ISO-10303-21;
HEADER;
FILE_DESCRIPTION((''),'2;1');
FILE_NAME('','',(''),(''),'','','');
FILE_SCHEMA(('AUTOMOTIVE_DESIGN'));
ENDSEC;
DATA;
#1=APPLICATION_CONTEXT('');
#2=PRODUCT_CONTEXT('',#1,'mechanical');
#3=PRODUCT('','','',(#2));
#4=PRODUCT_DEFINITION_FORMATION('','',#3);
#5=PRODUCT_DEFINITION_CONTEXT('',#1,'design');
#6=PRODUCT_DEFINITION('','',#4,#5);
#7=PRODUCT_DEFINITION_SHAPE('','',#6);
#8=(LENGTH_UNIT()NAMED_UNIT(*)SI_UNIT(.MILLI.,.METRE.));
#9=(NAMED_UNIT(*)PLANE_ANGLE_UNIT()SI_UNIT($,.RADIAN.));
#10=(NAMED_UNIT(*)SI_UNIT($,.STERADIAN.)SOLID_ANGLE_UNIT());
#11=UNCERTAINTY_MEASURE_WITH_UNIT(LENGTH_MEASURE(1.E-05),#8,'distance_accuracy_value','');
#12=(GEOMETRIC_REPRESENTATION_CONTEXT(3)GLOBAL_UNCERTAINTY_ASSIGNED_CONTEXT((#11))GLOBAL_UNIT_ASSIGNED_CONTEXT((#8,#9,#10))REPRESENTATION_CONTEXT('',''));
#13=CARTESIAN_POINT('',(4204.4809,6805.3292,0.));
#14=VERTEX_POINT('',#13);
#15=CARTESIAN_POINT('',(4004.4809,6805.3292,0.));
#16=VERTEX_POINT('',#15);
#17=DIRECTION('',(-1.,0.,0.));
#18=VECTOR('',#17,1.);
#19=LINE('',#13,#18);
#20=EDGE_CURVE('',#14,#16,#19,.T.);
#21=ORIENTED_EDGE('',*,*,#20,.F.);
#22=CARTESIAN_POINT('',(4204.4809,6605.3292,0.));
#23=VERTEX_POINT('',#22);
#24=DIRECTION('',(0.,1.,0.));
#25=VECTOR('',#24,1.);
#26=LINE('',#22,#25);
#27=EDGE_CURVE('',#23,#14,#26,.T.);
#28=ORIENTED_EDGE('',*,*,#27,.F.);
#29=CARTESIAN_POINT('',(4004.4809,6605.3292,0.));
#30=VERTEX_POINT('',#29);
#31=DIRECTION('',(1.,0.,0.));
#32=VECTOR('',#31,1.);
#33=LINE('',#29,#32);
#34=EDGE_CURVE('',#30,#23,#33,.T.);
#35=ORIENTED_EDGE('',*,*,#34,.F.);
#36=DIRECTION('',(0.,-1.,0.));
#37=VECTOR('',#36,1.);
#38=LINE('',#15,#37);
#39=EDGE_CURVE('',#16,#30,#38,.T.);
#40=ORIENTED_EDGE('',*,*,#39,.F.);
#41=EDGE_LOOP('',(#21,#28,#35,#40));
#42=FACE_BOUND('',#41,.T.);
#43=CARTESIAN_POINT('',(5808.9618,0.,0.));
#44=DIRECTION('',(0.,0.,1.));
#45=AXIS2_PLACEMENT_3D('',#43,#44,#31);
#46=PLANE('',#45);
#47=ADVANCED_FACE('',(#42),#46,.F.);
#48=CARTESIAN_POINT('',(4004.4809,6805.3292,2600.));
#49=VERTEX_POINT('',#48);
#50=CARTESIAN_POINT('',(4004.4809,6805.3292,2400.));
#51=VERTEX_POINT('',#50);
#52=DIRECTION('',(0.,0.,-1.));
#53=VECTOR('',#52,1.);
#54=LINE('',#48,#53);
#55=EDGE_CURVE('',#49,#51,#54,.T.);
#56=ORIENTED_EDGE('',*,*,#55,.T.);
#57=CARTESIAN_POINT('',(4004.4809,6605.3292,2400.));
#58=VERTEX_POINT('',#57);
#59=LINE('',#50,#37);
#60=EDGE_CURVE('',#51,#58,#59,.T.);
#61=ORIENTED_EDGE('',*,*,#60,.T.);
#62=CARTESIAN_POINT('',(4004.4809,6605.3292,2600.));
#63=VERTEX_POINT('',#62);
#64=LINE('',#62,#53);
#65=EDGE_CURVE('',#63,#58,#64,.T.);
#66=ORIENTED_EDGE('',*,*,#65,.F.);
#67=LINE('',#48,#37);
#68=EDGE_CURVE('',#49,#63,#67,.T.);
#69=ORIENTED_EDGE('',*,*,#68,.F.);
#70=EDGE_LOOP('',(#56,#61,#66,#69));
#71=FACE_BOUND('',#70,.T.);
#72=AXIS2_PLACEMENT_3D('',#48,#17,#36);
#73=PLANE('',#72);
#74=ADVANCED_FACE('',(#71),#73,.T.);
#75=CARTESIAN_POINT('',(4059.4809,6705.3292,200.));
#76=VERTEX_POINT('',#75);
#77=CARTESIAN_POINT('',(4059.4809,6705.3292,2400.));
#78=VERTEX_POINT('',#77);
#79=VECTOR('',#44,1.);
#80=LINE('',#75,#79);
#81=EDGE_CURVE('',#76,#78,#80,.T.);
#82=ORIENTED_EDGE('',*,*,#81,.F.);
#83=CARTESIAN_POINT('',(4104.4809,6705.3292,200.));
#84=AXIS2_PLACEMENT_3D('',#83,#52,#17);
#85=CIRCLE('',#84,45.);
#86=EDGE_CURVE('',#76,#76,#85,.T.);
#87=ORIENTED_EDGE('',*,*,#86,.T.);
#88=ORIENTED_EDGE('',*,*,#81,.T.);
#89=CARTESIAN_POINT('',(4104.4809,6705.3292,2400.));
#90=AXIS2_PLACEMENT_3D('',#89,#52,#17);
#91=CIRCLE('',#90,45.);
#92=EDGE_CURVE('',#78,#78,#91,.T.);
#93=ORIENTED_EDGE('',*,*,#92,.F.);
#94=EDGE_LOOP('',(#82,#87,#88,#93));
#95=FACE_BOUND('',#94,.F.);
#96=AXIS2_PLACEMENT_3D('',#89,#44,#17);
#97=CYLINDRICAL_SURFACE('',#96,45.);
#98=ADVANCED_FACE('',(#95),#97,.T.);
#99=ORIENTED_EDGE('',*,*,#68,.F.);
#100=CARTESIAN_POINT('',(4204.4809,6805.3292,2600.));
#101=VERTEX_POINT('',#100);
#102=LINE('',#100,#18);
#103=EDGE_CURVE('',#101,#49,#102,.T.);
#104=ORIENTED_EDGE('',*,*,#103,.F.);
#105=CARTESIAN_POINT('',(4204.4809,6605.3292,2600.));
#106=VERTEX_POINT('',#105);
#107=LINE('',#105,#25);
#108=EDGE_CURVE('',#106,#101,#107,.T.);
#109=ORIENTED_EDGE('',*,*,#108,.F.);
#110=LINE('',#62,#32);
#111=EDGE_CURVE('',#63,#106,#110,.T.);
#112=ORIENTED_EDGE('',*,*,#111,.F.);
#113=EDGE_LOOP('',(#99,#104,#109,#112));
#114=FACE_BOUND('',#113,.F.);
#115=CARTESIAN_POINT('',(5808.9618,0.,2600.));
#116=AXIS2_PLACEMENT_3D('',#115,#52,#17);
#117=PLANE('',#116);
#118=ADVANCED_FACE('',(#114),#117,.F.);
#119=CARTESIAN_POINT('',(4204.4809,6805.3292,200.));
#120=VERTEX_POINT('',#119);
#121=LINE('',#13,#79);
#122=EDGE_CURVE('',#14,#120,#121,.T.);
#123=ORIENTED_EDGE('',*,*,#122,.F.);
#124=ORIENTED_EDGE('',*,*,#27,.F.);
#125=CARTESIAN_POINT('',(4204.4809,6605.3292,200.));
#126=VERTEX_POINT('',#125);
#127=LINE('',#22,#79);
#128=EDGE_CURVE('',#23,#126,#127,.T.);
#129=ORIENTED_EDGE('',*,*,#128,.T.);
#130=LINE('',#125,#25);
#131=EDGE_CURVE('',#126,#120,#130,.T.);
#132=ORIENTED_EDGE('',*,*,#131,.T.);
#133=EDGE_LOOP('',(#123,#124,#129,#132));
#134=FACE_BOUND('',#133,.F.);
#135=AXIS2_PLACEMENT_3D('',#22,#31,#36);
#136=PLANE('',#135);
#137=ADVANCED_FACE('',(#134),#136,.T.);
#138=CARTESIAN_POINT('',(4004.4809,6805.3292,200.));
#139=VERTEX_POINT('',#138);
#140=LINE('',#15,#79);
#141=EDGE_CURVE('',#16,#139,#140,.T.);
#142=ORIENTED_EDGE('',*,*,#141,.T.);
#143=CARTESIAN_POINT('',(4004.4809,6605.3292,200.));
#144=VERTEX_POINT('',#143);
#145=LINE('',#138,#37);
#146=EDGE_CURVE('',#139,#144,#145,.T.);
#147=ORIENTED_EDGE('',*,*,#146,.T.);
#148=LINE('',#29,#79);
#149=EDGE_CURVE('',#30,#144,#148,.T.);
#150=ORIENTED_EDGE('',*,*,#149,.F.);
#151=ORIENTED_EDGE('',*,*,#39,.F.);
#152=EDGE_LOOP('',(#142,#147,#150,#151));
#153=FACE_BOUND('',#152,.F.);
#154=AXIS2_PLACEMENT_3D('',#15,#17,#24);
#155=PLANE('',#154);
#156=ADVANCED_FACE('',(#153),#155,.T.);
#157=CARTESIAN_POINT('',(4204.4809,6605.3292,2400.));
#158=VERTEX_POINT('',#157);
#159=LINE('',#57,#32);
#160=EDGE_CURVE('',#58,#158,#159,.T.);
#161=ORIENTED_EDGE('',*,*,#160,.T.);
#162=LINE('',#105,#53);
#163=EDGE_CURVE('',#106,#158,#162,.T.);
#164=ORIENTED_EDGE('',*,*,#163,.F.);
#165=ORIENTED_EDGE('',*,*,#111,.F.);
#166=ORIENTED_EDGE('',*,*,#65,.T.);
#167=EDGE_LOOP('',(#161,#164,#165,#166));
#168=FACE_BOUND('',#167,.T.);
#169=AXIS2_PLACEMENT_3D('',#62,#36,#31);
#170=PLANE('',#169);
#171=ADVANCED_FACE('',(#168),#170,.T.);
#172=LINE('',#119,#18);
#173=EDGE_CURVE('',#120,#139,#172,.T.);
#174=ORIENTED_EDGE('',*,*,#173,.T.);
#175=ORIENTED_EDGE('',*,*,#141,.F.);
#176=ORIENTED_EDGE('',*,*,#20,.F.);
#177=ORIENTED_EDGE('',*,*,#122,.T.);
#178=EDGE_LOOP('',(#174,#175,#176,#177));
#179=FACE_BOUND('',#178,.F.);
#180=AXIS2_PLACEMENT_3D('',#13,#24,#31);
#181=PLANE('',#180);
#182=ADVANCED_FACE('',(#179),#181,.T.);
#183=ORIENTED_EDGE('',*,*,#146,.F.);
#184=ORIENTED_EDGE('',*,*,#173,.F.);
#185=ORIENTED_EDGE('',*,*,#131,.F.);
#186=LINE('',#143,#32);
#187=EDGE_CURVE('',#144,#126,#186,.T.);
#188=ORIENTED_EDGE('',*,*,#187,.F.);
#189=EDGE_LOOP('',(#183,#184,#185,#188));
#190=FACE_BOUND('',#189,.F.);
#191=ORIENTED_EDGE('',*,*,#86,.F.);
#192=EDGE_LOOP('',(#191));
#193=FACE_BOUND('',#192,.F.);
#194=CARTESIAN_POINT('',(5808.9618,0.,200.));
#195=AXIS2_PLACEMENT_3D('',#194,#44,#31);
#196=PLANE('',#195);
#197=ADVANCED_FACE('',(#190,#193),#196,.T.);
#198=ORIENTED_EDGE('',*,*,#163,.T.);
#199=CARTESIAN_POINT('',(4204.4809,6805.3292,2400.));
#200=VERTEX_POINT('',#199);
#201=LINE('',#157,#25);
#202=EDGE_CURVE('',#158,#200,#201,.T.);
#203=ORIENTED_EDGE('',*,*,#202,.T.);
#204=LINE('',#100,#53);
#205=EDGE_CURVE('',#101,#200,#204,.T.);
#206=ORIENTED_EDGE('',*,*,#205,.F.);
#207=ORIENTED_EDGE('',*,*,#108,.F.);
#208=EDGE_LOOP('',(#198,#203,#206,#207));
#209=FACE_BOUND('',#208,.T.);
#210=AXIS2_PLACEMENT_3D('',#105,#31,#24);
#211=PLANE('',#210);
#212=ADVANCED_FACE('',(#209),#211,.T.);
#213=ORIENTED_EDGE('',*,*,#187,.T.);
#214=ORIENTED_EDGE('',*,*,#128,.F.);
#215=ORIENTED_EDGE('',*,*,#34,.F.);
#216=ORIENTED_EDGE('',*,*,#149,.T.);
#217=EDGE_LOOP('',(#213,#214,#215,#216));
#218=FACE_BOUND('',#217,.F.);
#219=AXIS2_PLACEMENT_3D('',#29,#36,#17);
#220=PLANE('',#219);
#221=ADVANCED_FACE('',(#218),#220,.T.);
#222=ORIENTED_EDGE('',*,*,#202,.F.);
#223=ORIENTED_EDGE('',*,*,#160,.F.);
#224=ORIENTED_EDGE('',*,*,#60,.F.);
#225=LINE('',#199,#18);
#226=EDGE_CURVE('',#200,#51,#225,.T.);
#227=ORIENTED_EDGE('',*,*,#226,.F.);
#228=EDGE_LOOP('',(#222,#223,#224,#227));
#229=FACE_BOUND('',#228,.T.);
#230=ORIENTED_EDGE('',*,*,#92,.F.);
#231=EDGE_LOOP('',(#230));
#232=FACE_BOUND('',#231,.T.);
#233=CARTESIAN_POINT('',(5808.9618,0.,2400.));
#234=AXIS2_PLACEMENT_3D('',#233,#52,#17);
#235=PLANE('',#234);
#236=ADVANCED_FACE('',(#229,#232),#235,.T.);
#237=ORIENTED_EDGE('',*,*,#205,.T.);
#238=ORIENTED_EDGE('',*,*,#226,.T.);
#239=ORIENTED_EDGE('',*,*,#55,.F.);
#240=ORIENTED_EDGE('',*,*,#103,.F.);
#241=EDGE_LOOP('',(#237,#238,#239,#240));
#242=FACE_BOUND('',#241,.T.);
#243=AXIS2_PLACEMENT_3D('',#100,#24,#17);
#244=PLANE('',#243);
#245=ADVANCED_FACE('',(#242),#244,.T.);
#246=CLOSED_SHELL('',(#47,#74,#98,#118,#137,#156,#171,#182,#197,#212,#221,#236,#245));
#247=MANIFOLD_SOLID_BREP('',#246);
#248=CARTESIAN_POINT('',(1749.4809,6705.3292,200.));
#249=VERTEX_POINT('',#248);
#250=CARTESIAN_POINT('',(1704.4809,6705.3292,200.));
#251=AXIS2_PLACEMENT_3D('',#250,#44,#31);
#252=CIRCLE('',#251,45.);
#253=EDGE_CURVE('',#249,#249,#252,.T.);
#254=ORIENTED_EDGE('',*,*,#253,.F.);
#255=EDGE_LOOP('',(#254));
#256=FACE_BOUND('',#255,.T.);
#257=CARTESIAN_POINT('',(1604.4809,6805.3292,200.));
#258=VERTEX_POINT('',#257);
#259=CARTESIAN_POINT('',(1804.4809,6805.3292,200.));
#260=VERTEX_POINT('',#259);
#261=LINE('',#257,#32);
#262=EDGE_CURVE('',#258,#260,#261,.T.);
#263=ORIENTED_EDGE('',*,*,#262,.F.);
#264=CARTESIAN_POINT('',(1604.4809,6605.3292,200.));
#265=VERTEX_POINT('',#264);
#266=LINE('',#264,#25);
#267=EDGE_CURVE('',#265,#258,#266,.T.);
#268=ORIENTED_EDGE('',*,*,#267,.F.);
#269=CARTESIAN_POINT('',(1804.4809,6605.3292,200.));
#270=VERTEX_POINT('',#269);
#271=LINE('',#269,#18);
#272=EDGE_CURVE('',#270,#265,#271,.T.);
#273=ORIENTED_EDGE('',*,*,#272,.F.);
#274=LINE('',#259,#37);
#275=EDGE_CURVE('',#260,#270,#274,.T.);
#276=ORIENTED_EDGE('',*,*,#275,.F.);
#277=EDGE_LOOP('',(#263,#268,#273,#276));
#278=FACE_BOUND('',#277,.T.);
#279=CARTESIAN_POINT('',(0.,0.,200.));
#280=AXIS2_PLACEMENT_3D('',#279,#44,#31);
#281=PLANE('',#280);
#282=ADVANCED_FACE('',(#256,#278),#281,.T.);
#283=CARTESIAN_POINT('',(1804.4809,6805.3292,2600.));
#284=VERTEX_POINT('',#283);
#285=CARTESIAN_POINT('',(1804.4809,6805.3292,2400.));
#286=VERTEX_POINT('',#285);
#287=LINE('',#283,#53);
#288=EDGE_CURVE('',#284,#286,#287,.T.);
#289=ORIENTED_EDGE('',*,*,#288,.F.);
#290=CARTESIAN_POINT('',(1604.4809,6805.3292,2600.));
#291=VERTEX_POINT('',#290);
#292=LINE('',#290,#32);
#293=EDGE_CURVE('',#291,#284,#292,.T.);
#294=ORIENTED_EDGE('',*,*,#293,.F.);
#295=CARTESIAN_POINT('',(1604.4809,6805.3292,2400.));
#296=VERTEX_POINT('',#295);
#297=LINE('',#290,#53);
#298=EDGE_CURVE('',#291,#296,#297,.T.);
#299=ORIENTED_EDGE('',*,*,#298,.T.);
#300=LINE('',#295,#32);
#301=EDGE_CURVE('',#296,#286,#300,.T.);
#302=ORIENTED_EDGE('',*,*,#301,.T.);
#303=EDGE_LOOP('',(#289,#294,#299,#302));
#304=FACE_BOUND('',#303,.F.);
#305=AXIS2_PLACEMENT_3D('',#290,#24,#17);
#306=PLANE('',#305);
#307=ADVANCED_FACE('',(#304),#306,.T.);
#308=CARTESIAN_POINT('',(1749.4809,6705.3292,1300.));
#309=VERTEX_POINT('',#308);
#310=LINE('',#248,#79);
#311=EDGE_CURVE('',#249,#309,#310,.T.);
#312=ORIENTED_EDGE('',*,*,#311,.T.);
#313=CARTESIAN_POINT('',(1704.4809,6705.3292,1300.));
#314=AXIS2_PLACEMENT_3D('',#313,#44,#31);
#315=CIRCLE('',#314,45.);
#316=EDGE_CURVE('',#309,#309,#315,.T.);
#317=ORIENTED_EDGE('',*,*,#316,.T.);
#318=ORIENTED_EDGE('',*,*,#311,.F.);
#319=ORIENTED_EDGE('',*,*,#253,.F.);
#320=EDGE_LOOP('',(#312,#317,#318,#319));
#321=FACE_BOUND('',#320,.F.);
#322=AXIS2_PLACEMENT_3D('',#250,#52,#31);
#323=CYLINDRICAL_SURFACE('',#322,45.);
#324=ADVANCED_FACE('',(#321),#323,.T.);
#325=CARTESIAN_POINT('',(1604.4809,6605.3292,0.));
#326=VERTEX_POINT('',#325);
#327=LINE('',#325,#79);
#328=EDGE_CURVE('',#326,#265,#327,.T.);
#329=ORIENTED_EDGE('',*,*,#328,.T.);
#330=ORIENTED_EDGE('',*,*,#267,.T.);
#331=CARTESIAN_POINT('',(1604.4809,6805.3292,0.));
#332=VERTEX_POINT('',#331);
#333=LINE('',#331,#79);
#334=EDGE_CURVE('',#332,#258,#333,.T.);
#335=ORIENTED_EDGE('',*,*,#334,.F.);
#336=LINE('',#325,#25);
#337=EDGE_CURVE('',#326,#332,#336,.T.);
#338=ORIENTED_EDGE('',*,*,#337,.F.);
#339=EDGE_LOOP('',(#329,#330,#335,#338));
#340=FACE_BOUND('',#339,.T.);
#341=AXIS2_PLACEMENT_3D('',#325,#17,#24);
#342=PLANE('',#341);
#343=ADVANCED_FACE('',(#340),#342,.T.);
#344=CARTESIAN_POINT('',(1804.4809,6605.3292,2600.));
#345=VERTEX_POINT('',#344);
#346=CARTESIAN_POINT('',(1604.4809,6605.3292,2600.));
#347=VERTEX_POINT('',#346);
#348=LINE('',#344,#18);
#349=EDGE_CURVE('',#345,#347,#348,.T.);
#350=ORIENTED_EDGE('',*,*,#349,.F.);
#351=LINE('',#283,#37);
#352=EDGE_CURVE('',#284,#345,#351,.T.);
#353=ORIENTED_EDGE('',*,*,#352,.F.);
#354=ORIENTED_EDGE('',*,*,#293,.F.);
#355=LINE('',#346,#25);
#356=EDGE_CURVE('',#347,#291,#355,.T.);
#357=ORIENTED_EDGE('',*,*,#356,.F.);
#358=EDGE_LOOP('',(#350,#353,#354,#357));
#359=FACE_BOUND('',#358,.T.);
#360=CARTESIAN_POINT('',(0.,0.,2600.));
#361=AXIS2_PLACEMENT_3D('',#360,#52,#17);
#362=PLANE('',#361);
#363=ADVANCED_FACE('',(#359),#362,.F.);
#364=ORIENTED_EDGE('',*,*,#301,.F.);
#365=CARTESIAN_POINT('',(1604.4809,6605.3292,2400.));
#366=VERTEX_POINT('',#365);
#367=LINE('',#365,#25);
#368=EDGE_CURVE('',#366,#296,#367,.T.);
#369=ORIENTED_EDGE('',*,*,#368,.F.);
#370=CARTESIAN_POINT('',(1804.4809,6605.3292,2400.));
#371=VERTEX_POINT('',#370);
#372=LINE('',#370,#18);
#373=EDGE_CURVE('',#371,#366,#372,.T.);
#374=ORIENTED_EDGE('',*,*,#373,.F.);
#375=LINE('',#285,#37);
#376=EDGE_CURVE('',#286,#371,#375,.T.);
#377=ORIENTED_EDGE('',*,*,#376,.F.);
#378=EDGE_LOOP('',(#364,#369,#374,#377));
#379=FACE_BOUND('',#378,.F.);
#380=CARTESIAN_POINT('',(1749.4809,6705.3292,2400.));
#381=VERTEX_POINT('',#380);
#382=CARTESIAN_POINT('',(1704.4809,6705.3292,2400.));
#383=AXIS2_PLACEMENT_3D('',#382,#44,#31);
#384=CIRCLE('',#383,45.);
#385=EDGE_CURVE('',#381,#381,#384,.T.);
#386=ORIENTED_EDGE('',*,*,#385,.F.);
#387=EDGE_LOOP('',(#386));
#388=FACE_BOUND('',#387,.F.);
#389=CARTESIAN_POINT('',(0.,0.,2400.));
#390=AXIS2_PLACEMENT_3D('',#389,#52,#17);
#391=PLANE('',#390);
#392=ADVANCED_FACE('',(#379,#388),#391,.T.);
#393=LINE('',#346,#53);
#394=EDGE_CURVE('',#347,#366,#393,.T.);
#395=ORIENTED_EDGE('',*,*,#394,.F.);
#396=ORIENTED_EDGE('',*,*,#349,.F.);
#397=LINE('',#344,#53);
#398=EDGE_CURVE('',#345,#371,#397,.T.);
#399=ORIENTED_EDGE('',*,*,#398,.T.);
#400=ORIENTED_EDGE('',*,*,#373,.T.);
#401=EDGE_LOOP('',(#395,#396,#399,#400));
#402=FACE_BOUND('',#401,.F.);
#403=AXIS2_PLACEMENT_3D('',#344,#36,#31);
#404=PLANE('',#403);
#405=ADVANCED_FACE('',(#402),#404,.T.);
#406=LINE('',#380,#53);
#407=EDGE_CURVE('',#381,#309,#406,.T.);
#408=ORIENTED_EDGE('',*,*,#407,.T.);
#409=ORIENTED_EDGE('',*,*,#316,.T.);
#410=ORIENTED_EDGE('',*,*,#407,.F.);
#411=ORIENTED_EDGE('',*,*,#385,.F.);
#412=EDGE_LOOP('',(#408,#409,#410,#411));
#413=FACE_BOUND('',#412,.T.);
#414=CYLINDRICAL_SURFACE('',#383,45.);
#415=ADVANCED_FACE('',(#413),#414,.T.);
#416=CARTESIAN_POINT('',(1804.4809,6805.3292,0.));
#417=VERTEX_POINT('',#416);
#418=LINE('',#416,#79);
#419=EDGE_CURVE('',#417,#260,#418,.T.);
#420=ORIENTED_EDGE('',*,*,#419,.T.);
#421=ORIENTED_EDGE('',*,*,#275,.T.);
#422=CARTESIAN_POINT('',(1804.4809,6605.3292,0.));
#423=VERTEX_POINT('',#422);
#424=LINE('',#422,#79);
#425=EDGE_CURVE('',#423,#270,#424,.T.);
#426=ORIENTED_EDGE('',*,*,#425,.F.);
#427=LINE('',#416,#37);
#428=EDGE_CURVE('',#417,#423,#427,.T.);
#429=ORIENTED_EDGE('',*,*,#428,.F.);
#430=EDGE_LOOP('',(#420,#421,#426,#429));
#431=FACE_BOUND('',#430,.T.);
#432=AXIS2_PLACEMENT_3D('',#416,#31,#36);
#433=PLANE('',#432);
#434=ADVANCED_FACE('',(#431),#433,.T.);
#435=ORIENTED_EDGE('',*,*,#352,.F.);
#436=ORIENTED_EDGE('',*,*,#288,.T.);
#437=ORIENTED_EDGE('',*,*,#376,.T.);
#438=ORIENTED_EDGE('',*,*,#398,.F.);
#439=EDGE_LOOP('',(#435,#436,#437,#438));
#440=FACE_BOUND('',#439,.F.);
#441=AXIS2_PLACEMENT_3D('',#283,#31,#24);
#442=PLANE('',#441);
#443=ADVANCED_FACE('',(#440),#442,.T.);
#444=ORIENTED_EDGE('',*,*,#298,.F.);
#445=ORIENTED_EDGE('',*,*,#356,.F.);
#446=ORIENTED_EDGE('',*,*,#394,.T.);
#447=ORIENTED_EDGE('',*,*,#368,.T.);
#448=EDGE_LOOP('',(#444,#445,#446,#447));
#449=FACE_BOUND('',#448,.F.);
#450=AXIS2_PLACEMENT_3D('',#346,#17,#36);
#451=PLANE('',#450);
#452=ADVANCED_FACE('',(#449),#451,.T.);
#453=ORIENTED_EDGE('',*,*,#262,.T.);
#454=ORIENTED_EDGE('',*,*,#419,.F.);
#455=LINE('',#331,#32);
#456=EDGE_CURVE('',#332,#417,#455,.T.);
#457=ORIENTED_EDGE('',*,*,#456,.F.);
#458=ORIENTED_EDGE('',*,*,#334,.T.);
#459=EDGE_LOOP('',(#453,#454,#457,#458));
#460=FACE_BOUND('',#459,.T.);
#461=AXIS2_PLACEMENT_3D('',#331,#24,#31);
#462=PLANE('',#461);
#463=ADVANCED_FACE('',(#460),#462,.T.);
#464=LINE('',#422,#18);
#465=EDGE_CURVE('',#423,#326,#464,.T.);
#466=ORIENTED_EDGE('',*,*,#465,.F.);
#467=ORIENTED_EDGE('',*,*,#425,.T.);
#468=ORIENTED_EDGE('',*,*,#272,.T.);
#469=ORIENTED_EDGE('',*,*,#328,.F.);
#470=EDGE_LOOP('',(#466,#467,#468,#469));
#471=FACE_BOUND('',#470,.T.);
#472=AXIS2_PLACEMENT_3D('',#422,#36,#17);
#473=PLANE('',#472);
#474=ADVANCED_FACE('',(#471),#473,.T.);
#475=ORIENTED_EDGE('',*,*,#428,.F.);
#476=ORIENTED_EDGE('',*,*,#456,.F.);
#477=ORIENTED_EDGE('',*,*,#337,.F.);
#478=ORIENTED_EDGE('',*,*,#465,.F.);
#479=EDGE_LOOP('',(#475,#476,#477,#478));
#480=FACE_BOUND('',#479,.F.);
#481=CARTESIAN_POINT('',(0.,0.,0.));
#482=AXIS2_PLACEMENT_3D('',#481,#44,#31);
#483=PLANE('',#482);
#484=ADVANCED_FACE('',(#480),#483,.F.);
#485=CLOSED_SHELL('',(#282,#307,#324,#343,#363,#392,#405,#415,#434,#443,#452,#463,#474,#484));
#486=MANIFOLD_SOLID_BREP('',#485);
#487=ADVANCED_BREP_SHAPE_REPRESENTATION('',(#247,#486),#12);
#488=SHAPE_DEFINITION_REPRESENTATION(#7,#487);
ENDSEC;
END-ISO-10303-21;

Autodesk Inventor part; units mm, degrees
ref_plane "YZ Plane" through (0, 0, 0) normal (1, 0, 0) x (0, 1, 0)
ref_plane "XZ Plane" through (0, 0, 0) normal (0, 1, 0) x (-1, 0, 0)
ref_plane "XY Plane" through (0, 0, 0) normal (0, 0, 1) x (1, 0, 0)
sketch "Sketch1" plane through (0, 0, 0) normal (0, 0, 1) x (1, 0, 0)
  line L0 (1604.4809, 6805.3292) -> (1804.4809, 6805.3292)
  line L1 (1804.4809, 6805.3292) -> (1804.4809, 6605.3292)
  line L2 (1804.4809, 6605.3292) -> (1604.4809, 6605.3292)
  line L3 (1604.4809, 6605.3292) -> (1604.4809, 6805.3292)
  point P0 (0, 0)
  dimension "d0" = 200
  dimension "d1" = 200
extrude "Extrusion1" add sketch "Sketch1" along normal blind 200
sketch "Sketch2" plane through (0, 0, 200) normal (0, 0, 1) x (1, 0, 0)
  line L0 (1804.4809, 6805.3292) -> (1604.4809, 6805.3292) projected
  line L1 (1604.4809, 6605.3292) -> (1804.4809, 6605.3292) projected
  circle A0 centre (1704.4809, 6705.3292) radius 45
  point P0 (0, 0)
  dimension "d4" = 90
extrude "Extrusion2" add sketch "Sketch2" along normal blind 1100
mirror "Mirror1" about plane through (1704.4809, 6705.3292, 1300) normal (0, 0, 1) of "Extrusion2", "Extrusion1"
thread "Thread1" size "M90x6" class "6g" standard "ISO Metric profile" full length
ref_plane "Work Plane1" through (2904.4809, 6605.3292, 2600) normal (1, 0, 0) x (0, 0, -1)
mirror "Mirror2" about plane through (2904.4809, 6605.3292, 2600) normal (1, 0, 0) of "Extrusion2", "Extrusion1", "Mirror1"
properties part number "podstawa"
